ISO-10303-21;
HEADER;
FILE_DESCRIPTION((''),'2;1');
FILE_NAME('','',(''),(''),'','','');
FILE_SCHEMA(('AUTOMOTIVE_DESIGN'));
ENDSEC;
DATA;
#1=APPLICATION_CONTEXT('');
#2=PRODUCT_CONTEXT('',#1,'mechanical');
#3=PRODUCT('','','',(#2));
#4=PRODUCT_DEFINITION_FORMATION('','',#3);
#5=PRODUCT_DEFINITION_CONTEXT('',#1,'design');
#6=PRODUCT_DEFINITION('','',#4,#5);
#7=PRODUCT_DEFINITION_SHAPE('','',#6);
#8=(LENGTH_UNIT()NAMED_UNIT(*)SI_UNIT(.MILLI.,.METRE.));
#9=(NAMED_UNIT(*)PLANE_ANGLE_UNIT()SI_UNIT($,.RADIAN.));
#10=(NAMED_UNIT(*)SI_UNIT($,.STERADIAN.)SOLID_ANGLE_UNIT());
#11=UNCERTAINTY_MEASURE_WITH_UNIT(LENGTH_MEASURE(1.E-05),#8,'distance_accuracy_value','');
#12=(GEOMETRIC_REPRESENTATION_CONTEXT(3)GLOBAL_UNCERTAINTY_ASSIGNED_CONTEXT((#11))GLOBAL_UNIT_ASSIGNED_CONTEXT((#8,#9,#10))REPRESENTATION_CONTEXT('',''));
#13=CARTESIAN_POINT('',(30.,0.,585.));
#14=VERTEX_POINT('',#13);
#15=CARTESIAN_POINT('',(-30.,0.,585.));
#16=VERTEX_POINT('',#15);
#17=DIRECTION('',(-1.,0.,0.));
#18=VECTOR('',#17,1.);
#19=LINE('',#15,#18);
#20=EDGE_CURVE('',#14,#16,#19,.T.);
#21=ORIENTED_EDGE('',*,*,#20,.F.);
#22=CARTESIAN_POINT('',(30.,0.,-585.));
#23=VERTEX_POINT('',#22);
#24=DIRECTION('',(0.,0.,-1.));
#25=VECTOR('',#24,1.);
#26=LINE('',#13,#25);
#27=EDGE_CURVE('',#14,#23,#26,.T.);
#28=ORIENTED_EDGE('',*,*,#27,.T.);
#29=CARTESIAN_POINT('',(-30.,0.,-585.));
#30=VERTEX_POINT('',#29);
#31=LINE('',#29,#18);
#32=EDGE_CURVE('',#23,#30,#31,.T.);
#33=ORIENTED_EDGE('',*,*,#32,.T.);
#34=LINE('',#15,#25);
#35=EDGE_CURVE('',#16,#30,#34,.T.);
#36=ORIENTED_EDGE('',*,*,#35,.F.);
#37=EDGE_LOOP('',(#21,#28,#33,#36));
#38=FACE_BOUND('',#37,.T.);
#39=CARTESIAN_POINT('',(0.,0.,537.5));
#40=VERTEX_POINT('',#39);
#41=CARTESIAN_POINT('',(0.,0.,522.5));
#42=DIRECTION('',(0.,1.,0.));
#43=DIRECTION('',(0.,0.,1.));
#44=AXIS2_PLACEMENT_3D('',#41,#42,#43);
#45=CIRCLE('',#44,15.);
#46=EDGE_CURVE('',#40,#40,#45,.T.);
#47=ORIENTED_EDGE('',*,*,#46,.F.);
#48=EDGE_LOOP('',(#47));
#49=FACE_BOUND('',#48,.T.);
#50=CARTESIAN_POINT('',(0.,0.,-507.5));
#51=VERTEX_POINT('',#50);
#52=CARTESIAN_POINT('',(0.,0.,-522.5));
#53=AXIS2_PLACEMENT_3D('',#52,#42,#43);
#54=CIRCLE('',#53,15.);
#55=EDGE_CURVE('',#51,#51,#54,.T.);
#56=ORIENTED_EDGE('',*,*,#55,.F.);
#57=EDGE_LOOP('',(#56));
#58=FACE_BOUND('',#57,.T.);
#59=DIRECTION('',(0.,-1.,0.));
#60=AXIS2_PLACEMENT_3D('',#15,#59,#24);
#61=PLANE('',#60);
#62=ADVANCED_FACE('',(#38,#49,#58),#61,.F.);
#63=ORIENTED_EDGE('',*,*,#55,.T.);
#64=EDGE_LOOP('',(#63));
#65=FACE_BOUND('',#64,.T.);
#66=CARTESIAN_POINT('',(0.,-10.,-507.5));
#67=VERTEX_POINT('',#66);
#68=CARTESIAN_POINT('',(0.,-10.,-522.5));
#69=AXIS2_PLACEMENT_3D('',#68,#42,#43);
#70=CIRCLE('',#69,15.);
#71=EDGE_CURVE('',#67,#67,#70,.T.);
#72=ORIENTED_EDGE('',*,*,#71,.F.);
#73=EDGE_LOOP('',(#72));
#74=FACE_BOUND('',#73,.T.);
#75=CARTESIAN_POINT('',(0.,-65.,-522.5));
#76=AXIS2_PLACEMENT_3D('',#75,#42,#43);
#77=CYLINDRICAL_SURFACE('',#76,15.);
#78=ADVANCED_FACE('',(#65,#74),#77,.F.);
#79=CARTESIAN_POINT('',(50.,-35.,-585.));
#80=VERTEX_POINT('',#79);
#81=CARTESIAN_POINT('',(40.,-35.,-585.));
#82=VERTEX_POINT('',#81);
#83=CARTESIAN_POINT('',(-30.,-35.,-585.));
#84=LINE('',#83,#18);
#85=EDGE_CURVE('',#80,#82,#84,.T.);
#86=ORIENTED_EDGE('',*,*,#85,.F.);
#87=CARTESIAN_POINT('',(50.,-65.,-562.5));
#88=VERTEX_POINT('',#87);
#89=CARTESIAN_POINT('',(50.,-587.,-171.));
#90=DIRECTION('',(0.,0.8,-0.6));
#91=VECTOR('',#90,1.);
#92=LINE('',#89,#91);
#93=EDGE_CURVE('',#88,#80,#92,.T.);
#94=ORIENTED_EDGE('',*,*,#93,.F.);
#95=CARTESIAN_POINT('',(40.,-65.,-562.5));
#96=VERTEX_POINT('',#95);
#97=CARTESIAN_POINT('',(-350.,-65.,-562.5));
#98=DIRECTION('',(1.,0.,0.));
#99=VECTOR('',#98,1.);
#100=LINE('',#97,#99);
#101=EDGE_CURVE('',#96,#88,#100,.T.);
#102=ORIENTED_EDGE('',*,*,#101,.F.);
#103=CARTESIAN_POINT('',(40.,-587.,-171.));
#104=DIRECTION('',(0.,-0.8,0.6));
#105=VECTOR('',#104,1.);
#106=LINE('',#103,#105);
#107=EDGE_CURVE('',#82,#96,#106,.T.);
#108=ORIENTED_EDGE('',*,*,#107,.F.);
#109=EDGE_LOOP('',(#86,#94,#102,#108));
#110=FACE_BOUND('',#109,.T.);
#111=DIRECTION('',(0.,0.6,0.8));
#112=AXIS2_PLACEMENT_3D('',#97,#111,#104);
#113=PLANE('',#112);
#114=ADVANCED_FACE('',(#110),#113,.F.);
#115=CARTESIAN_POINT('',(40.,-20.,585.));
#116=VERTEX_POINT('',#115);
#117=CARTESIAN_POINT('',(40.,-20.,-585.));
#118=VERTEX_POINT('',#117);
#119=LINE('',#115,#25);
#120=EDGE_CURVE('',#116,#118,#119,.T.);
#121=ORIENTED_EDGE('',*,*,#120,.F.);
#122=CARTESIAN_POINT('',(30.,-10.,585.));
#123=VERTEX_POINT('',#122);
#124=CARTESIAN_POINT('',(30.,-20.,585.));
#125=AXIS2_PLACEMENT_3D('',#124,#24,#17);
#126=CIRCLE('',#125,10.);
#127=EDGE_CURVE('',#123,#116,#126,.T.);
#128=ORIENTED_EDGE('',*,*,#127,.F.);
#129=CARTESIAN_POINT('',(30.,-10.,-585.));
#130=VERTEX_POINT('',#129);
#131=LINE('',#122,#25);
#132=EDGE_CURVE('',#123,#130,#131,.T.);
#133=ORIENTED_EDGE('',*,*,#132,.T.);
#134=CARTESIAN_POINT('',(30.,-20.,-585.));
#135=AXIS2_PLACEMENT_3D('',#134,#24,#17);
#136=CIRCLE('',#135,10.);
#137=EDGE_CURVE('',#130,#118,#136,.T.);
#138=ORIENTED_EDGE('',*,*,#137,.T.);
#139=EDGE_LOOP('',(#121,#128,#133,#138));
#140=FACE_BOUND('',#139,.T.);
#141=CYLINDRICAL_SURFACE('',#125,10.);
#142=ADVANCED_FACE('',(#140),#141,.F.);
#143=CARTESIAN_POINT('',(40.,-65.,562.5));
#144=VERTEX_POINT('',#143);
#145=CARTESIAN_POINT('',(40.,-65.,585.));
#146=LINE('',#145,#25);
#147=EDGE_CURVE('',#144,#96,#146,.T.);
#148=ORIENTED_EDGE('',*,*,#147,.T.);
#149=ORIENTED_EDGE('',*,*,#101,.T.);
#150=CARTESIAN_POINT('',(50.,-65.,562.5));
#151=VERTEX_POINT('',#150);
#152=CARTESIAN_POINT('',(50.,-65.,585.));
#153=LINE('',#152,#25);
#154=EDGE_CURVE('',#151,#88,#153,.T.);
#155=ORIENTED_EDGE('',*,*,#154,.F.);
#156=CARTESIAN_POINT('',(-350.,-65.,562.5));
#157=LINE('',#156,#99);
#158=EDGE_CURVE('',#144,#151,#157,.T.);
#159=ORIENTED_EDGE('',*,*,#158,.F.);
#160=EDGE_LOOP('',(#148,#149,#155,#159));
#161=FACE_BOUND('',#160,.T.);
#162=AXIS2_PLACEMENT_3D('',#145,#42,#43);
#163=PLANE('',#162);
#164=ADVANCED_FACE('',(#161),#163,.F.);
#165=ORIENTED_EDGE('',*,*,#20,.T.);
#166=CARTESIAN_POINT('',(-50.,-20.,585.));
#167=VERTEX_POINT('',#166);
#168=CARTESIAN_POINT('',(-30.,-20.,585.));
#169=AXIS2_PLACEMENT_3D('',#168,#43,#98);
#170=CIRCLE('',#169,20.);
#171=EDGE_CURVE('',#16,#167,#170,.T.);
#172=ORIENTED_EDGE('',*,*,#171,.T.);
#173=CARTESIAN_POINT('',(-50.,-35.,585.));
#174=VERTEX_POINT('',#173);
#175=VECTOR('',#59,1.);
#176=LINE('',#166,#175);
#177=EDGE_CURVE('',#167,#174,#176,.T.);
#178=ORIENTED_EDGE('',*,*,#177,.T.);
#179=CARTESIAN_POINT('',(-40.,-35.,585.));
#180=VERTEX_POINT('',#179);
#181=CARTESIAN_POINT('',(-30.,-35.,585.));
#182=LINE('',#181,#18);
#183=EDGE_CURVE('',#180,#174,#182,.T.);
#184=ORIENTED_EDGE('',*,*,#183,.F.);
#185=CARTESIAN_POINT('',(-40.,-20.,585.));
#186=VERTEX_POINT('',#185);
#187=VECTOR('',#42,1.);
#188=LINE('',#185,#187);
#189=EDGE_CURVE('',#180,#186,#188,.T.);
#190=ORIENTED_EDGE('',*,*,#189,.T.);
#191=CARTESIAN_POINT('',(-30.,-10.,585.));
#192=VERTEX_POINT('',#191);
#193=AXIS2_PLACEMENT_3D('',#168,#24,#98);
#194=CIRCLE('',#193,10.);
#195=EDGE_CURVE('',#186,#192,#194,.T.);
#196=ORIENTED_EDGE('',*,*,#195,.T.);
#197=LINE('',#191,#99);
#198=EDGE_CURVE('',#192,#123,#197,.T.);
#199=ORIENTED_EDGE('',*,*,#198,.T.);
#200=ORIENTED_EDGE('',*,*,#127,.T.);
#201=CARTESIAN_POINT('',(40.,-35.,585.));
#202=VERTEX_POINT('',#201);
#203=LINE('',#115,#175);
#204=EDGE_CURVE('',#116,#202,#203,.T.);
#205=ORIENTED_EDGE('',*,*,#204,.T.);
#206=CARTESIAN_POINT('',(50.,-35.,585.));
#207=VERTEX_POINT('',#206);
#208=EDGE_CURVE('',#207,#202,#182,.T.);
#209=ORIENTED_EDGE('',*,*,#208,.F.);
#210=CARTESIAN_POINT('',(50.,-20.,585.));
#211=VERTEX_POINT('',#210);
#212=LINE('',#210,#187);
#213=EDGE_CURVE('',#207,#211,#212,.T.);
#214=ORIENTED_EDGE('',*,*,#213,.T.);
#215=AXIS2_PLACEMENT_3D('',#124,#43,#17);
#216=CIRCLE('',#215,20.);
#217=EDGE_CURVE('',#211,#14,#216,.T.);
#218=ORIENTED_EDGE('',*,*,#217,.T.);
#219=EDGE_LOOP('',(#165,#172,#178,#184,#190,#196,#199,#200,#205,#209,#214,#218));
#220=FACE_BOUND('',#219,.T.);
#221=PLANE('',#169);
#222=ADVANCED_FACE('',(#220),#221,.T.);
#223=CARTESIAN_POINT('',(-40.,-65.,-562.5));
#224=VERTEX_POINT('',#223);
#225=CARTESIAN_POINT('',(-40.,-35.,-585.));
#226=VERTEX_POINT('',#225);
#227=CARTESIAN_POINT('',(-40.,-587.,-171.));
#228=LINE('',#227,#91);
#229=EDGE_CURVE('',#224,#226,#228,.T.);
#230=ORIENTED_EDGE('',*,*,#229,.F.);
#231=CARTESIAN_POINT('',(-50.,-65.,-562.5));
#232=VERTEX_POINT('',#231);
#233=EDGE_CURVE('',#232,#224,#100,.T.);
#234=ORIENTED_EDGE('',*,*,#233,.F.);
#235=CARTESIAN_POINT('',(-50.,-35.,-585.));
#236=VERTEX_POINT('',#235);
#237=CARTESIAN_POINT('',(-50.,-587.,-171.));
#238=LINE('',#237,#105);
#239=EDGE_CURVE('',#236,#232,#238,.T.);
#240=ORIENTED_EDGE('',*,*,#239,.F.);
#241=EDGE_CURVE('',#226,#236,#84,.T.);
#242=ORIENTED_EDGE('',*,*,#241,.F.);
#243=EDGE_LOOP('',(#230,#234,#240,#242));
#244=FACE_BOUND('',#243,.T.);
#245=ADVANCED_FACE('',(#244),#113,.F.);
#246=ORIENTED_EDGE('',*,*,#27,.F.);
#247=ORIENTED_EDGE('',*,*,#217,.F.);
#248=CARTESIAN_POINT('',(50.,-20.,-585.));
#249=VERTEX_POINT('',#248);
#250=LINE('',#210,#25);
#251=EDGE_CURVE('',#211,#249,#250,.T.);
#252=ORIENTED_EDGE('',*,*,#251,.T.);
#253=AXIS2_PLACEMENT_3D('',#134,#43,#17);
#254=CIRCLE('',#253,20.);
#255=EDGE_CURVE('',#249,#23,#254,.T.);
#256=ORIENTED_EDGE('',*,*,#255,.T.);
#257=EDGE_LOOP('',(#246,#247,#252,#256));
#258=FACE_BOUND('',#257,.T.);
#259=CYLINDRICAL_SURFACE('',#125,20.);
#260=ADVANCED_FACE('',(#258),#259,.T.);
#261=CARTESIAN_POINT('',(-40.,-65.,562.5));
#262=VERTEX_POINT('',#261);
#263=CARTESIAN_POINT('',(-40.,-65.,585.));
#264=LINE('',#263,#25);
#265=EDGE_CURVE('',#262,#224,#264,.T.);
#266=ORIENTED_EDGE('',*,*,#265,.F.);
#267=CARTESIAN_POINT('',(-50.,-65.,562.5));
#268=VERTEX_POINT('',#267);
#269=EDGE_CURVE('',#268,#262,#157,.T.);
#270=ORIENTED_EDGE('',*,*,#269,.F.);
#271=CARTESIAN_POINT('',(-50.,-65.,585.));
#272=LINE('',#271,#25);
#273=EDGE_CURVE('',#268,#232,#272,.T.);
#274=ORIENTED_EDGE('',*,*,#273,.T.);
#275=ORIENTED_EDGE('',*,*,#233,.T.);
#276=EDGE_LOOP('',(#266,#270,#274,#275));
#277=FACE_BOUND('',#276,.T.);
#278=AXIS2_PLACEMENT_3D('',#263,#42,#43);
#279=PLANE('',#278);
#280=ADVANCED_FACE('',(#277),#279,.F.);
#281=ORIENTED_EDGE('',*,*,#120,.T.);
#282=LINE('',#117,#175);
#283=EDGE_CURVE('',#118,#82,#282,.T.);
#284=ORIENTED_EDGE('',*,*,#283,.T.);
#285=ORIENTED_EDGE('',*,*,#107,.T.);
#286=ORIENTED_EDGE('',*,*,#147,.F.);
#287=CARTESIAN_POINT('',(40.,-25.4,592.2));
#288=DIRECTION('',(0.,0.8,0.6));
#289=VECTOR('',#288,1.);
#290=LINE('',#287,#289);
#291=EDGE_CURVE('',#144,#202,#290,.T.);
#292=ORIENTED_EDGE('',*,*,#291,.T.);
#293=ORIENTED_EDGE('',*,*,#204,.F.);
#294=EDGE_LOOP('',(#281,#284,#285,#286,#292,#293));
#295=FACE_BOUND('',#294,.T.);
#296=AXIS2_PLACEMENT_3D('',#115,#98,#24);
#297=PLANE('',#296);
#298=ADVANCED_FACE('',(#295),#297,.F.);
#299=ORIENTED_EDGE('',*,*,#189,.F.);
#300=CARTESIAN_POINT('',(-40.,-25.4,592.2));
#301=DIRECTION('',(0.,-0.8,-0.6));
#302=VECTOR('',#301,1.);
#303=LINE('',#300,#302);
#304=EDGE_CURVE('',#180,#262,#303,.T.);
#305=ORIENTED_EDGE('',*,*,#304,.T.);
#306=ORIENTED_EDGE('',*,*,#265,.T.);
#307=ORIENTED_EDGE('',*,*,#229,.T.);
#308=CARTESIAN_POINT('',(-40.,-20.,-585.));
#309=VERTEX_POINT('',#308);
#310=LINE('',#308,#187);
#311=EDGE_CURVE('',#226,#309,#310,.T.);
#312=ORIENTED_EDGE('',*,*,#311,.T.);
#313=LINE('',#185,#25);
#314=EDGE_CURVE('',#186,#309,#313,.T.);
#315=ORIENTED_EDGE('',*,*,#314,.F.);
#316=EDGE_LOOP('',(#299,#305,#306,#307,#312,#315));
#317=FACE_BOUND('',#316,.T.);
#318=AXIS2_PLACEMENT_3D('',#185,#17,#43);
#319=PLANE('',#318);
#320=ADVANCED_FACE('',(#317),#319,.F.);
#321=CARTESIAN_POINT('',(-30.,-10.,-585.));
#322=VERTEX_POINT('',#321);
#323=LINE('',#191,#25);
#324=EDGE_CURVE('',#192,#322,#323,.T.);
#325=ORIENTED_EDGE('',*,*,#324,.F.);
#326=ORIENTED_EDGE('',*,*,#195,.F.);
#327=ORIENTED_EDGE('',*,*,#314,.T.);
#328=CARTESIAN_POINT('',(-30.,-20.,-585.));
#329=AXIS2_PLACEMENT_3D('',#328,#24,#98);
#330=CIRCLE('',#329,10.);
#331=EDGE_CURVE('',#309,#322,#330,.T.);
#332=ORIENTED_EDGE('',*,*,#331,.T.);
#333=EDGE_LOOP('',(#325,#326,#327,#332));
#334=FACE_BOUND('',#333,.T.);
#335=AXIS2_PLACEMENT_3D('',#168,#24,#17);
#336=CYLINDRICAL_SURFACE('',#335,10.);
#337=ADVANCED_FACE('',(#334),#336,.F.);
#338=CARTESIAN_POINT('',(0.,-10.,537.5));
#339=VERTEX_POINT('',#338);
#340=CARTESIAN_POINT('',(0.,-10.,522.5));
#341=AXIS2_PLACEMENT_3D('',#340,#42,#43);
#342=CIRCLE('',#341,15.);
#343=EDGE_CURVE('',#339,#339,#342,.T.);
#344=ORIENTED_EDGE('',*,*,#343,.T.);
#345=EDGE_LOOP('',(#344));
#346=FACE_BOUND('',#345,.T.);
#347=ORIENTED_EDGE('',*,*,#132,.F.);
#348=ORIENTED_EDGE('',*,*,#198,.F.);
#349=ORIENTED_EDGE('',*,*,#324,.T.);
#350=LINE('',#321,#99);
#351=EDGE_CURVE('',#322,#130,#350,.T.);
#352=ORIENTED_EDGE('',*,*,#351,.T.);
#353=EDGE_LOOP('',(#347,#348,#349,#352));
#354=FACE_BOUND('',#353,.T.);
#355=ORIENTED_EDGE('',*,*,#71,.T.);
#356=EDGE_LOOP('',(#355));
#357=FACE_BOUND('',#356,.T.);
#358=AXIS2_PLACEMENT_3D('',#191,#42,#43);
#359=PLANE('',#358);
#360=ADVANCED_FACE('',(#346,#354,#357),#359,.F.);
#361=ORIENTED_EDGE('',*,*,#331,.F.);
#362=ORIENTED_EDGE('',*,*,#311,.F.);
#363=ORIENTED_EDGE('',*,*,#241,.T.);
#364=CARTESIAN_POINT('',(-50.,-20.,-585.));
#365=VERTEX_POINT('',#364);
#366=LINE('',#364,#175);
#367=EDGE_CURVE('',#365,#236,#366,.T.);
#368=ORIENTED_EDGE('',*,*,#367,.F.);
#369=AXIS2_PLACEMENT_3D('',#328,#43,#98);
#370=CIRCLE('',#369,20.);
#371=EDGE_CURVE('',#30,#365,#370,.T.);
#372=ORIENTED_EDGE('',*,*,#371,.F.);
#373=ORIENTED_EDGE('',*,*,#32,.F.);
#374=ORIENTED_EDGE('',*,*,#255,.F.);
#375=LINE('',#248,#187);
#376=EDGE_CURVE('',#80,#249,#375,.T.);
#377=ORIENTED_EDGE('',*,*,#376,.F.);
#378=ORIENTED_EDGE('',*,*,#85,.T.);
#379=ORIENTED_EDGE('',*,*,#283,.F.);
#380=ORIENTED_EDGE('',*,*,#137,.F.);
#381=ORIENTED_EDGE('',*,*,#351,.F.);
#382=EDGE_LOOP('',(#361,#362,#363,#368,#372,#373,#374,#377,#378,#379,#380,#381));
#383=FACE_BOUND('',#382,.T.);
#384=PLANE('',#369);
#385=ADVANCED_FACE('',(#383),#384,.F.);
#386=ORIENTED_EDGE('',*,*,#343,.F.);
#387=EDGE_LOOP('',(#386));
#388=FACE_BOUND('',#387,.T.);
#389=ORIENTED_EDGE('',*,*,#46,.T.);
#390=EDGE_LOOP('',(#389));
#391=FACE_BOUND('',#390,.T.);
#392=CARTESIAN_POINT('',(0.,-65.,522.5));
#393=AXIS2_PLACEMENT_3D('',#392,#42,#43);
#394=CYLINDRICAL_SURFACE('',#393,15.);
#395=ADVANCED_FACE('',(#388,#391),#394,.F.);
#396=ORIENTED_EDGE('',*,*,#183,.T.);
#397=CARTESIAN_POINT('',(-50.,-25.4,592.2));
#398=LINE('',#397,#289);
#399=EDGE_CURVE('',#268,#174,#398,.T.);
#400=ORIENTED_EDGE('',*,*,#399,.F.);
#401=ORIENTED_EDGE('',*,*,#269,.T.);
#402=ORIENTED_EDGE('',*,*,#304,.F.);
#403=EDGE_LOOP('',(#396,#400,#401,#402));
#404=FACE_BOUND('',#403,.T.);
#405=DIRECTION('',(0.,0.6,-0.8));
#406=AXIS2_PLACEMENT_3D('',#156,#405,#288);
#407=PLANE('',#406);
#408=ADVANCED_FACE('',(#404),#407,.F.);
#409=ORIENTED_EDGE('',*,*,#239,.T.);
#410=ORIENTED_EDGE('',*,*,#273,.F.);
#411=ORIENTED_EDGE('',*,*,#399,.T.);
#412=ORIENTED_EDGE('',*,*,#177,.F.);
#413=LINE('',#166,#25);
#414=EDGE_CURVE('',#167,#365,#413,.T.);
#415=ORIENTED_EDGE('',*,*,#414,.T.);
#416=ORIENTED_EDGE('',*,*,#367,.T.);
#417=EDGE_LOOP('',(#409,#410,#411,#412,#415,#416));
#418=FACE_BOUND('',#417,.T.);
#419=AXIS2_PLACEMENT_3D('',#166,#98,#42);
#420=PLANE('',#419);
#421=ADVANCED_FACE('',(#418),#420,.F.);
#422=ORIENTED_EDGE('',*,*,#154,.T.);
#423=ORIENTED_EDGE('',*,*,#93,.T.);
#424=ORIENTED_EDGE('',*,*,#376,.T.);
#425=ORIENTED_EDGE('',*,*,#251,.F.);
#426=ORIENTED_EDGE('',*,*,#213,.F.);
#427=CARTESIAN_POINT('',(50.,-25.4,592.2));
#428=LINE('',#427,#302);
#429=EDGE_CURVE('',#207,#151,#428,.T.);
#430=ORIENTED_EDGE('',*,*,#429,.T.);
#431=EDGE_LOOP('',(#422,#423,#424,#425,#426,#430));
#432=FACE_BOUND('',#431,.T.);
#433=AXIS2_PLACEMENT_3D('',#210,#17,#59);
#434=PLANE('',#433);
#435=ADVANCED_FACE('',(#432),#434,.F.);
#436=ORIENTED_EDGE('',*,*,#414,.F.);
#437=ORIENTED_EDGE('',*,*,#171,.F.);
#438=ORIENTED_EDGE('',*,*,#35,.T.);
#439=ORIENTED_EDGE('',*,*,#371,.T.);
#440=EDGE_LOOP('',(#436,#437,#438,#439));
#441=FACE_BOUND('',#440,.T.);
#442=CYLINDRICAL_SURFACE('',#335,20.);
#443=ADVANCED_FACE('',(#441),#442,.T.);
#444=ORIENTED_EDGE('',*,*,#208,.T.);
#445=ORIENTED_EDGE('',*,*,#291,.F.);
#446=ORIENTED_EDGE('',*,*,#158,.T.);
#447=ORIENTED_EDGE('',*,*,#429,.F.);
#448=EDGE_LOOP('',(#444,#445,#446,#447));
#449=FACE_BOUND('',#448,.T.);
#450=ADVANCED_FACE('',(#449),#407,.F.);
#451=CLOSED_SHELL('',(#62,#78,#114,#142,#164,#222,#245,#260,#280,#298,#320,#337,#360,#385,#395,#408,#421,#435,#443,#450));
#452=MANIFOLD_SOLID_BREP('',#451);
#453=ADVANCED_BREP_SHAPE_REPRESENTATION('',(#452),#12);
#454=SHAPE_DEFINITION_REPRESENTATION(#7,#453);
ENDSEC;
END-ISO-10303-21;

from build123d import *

# Parameters (mm, degrees)
EXTRUDE_1_DEPTH     = 585
CUT_EXTRUDE_1_DEPTH = 350
SKETCH_3_R          = 15
CUT_EXTRUDE_2_DEPTH = 591.719899783


with BuildPart() as part:
    # 草图1 → 凸台-拉伸1 (new, symmetric)
    with BuildSketch(Plane.XY):
        with BuildLine():
            Line((-30, 0), (30, 0))
            ThreePointArc((30, 0), (44.142135624, -5.857864376), (50, -20))
            Line((50, -20), (50, -65))
            Line((50, -65), (40, -65))
            Line((40, -65), (40, -20))
            ThreePointArc((40, -20), (37.071067812, -12.928932188), (30, -10))
            Line((30, -10), (-30, -10))
            ThreePointArc((-30, -10), (-37.071067812, -12.928932188), (-40, -20))
            Line((-40, -20), (-40, -65))
            Line((-40, -65), (-50, -65))
            Line((-50, -65), (-50, -20))
            ThreePointArc((-50, -20), (-44.142135624, -5.857864376), (-30, 0))
        make_face()
    extrude(amount=EXTRUDE_1_DEPTH, both=True)

    # 草图2 → 切除-拉伸1 (cut, symmetric)
    with BuildSketch(Plane(origin=(0, 0, 0), x_dir=(0, 0, -1), z_dir=(1, 0, 0))):
        Polygon((-585, -35), (-585, -65), (-562.5, -65), align=None)
        Polygon((562.5, -65), (585, -35), (585, -65), align=None)
    extrude(amount=CUT_EXTRUDE_1_DEPTH, both=True, mode=Mode.SUBTRACT)

    # 草图3 → 切除-拉伸2 (cut, through all)
    with BuildSketch(Plane(origin=(0, 0, 0), x_dir=(1, 0, 0), z_dir=(0, 1, 0))):
        with Locations(Location((0, 522.5, 0), (0, 0, 270))):
            Circle(SKETCH_3_R)
        with Locations(Location((0, -522.5, 0), (0, 0, 270))):
            Circle(SKETCH_3_R)
    extrude(amount=-CUT_EXTRUDE_2_DEPTH, mode=Mode.SUBTRACT)


solid = part.part
